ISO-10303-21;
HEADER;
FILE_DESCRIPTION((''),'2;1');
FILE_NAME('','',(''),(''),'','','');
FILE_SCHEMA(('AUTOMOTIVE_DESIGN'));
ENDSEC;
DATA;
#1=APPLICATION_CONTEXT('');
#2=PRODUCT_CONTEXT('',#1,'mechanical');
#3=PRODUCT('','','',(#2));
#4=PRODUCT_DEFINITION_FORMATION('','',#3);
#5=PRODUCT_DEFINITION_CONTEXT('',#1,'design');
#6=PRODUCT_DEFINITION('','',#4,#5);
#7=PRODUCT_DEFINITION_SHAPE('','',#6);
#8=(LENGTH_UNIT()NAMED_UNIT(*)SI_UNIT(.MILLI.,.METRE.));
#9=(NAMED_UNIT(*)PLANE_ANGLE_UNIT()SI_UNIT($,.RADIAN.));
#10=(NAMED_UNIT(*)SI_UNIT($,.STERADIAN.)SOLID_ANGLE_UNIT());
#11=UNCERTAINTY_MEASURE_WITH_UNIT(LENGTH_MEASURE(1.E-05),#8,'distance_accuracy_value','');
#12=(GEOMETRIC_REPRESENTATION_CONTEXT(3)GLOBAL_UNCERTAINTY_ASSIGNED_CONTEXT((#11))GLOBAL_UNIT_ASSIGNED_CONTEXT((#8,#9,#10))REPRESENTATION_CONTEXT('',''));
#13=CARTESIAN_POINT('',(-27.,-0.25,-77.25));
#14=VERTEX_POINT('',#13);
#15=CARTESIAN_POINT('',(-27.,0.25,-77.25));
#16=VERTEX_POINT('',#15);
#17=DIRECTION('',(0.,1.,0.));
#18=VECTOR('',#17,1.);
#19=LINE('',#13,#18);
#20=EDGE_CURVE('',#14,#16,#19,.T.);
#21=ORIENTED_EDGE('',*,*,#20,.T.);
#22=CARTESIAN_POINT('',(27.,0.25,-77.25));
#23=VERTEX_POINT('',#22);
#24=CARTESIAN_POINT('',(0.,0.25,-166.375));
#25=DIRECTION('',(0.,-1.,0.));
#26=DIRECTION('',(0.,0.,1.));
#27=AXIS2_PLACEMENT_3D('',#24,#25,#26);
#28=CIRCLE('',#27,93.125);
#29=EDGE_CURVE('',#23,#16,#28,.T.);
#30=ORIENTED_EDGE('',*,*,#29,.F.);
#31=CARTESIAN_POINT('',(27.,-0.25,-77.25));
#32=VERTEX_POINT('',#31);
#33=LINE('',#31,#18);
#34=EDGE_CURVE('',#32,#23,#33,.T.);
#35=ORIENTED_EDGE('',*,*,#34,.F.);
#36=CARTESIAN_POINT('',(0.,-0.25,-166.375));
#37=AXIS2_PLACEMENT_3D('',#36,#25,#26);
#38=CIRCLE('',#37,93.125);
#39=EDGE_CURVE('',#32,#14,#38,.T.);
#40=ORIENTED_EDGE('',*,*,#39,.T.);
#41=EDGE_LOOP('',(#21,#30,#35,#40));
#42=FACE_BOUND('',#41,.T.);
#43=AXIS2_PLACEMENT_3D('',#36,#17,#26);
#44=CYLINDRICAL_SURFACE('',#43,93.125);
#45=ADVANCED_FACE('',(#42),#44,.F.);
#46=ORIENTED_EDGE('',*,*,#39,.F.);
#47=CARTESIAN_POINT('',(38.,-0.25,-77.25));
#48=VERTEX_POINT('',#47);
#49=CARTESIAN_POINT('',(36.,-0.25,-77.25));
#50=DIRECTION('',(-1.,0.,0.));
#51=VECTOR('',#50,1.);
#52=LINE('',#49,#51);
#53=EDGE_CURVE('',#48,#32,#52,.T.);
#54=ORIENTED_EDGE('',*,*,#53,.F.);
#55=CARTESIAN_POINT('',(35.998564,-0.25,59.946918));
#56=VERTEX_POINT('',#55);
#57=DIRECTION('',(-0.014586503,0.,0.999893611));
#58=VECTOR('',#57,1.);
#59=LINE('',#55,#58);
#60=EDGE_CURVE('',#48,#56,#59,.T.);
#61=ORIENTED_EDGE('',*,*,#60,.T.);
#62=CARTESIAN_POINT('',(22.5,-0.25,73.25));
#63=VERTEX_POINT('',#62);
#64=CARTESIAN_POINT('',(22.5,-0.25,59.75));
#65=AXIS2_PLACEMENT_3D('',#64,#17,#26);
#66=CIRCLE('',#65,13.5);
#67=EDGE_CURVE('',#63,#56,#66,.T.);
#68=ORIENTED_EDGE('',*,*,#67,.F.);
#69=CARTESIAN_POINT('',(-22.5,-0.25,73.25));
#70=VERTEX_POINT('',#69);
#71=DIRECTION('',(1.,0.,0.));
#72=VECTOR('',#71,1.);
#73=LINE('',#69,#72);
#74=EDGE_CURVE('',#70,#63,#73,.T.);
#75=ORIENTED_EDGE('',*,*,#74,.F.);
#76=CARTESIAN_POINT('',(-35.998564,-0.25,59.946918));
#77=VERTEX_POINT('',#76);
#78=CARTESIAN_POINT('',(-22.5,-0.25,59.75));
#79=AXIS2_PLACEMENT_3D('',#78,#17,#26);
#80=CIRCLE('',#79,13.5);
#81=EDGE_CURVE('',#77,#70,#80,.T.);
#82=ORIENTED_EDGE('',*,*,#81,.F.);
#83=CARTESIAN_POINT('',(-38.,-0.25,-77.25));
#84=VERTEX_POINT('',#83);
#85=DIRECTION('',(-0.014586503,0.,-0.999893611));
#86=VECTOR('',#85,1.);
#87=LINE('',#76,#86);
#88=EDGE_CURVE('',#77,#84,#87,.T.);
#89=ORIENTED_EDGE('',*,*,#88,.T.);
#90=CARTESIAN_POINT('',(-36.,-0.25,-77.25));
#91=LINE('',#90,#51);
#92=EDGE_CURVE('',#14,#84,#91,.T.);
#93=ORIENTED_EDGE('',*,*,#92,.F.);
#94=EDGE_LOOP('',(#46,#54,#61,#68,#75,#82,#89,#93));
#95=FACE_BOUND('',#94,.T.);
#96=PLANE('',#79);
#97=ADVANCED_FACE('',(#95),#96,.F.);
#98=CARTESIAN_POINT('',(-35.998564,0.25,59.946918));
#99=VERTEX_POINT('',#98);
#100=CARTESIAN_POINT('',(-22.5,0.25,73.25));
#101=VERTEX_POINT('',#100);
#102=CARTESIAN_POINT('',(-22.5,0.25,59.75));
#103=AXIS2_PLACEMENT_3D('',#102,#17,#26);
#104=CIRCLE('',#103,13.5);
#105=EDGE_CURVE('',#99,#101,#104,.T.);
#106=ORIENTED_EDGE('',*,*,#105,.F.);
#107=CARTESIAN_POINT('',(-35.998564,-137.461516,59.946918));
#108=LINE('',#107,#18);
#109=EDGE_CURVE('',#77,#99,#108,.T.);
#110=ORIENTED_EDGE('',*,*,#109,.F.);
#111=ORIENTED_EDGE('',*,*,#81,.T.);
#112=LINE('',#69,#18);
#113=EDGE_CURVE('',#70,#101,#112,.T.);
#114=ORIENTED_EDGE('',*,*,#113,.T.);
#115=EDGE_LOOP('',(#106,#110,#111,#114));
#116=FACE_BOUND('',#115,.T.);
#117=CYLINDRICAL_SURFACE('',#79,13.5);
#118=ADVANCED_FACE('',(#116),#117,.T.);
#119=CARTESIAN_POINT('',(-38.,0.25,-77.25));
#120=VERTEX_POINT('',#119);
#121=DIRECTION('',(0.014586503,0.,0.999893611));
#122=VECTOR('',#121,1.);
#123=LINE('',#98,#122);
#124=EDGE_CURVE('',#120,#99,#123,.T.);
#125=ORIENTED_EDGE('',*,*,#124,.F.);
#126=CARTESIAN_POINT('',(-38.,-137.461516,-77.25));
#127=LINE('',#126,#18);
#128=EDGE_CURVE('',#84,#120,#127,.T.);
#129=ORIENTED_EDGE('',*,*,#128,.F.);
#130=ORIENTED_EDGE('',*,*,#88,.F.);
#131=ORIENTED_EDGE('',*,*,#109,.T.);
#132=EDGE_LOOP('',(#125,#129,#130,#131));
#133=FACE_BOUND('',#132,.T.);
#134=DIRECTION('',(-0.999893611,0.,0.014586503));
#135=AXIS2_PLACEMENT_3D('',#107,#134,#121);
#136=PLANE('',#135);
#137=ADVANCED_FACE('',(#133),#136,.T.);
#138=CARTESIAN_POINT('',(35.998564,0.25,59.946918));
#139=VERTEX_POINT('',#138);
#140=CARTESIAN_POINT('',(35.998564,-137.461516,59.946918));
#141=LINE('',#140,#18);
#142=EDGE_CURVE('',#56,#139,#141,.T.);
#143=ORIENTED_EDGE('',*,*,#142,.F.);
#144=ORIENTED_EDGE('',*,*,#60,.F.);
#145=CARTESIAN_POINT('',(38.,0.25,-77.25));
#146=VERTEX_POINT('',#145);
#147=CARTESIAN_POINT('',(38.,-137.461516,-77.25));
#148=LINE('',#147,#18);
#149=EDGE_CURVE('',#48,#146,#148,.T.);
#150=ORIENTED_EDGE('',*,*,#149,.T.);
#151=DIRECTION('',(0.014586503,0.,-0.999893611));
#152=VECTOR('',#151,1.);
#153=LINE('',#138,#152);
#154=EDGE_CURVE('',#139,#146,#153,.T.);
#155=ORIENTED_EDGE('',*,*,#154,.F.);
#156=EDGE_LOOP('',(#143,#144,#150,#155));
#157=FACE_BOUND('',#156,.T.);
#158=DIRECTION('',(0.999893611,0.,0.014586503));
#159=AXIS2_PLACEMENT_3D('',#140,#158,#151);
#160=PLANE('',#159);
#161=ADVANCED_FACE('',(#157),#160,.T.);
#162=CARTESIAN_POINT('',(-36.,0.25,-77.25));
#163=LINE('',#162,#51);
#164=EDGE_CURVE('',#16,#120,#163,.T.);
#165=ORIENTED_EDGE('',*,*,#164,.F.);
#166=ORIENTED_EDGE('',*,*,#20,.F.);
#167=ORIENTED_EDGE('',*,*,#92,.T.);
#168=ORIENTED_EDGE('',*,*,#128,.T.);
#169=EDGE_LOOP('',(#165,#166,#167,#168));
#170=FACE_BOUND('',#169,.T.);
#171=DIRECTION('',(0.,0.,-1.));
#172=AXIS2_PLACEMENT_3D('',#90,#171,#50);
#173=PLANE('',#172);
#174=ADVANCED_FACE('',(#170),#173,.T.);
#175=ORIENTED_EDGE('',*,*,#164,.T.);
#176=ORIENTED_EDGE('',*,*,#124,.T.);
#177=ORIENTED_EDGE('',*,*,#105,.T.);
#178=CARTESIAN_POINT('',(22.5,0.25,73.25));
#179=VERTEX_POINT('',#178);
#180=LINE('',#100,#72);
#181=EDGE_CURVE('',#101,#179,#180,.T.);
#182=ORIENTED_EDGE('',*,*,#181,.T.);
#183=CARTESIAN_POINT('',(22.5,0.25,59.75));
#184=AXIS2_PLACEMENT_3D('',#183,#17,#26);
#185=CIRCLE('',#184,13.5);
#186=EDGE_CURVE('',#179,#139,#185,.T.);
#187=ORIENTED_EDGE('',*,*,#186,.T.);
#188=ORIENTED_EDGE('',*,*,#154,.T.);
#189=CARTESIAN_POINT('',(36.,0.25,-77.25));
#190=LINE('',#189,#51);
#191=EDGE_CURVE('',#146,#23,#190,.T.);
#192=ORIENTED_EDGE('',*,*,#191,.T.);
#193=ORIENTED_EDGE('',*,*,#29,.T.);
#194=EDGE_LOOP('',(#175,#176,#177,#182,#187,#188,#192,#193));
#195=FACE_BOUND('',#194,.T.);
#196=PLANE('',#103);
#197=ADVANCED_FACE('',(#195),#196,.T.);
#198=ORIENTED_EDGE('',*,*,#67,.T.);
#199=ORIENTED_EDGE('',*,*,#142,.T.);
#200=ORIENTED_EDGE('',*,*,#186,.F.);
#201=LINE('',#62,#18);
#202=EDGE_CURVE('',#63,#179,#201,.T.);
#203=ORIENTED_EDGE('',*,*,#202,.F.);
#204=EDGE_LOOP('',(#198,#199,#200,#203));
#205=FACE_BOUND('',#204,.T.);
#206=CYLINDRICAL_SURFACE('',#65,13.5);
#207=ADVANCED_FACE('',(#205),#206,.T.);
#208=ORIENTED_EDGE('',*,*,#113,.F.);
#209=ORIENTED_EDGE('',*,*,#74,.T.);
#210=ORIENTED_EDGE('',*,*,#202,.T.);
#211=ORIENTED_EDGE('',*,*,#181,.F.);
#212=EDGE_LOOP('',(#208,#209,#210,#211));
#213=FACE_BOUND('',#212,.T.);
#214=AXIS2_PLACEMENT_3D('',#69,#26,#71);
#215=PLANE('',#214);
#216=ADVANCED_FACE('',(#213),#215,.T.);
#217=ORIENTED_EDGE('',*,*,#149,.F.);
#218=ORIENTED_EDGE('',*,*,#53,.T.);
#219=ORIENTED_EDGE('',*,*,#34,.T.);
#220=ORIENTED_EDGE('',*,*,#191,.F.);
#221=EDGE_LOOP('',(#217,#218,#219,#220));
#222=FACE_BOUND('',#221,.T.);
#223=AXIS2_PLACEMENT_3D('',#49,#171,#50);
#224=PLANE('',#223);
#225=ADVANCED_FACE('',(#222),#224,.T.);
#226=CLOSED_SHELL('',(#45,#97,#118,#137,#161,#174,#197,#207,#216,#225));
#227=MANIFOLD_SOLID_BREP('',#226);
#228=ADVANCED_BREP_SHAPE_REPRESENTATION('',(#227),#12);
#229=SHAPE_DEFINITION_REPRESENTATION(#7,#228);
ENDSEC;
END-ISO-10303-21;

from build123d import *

# Parameters (mm, degrees)
AUFSATZ_LINEAR_AUSTRAGEN1_DEPTH = 0.25
AUFSATZ_LINEAR_AUSTRAGEN2_DEPTH = 0.5


with BuildPart() as part:
    # Skizze1 → Aufsatz-Linear austragen1 (new body, symmetric)
    with BuildSketch(Plane(origin=(0, 0, 0), x_dir=(1, 0, 0), z_dir=(0, 1, 0))):
        with BuildLine():
            Line((-36, 77.25), (-27, 77.25))
            ThreePointArc((-27, 77.25), (0, 73.25), (27, 77.25))
            Line((27, 77.25), (36, 77.25))
            Line((36, 77.25), (36, -59.75))
            ThreePointArc((36, -59.75), (32.045941546, -69.295941546), (22.5, -73.25))
            Line((22.5, -73.25), (-22.5, -73.25))
            ThreePointArc((-22.5, -73.25), (-32.045941546, -69.295941546), (-36, -59.75))
            Line((-36, -59.75), (-36, 77.25))
        make_face()
    extrude(amount=AUFSATZ_LINEAR_AUSTRAGEN1_DEPTH, both=True)

    # Skizze2 → Aufsatz-Linear austragen2 (add)
    with BuildSketch(Plane(origin=(0, 0.25, 0), x_dir=(1, 0, 0), z_dir=(0, 1, 0))):
        with BuildLine():
            Line((-35.998563753, -59.946917797), (-38, 77.25))
            Line((-38, 77.25), (-36, 77.25))
            Line((-36, 77.25), (-36, -59.75))
            ThreePointArc((-36, -59.75), (-35.999640933, -59.848461517), (-35.998563753, -59.946917797))
        make_face()
        with BuildLine():
            Line((36, 77.25), (36, -59.75))
            ThreePointArc((36, -59.75), (35.999640933, -59.848461517), (35.998563753, -59.946917797))
            Line((35.998563753, -59.946917797), (38, 77.25))
            Line((38, 77.25), (36, 77.25))
        make_face()
    extrude(amount=-AUFSATZ_LINEAR_AUSTRAGEN2_DEPTH)


solid = part.part
